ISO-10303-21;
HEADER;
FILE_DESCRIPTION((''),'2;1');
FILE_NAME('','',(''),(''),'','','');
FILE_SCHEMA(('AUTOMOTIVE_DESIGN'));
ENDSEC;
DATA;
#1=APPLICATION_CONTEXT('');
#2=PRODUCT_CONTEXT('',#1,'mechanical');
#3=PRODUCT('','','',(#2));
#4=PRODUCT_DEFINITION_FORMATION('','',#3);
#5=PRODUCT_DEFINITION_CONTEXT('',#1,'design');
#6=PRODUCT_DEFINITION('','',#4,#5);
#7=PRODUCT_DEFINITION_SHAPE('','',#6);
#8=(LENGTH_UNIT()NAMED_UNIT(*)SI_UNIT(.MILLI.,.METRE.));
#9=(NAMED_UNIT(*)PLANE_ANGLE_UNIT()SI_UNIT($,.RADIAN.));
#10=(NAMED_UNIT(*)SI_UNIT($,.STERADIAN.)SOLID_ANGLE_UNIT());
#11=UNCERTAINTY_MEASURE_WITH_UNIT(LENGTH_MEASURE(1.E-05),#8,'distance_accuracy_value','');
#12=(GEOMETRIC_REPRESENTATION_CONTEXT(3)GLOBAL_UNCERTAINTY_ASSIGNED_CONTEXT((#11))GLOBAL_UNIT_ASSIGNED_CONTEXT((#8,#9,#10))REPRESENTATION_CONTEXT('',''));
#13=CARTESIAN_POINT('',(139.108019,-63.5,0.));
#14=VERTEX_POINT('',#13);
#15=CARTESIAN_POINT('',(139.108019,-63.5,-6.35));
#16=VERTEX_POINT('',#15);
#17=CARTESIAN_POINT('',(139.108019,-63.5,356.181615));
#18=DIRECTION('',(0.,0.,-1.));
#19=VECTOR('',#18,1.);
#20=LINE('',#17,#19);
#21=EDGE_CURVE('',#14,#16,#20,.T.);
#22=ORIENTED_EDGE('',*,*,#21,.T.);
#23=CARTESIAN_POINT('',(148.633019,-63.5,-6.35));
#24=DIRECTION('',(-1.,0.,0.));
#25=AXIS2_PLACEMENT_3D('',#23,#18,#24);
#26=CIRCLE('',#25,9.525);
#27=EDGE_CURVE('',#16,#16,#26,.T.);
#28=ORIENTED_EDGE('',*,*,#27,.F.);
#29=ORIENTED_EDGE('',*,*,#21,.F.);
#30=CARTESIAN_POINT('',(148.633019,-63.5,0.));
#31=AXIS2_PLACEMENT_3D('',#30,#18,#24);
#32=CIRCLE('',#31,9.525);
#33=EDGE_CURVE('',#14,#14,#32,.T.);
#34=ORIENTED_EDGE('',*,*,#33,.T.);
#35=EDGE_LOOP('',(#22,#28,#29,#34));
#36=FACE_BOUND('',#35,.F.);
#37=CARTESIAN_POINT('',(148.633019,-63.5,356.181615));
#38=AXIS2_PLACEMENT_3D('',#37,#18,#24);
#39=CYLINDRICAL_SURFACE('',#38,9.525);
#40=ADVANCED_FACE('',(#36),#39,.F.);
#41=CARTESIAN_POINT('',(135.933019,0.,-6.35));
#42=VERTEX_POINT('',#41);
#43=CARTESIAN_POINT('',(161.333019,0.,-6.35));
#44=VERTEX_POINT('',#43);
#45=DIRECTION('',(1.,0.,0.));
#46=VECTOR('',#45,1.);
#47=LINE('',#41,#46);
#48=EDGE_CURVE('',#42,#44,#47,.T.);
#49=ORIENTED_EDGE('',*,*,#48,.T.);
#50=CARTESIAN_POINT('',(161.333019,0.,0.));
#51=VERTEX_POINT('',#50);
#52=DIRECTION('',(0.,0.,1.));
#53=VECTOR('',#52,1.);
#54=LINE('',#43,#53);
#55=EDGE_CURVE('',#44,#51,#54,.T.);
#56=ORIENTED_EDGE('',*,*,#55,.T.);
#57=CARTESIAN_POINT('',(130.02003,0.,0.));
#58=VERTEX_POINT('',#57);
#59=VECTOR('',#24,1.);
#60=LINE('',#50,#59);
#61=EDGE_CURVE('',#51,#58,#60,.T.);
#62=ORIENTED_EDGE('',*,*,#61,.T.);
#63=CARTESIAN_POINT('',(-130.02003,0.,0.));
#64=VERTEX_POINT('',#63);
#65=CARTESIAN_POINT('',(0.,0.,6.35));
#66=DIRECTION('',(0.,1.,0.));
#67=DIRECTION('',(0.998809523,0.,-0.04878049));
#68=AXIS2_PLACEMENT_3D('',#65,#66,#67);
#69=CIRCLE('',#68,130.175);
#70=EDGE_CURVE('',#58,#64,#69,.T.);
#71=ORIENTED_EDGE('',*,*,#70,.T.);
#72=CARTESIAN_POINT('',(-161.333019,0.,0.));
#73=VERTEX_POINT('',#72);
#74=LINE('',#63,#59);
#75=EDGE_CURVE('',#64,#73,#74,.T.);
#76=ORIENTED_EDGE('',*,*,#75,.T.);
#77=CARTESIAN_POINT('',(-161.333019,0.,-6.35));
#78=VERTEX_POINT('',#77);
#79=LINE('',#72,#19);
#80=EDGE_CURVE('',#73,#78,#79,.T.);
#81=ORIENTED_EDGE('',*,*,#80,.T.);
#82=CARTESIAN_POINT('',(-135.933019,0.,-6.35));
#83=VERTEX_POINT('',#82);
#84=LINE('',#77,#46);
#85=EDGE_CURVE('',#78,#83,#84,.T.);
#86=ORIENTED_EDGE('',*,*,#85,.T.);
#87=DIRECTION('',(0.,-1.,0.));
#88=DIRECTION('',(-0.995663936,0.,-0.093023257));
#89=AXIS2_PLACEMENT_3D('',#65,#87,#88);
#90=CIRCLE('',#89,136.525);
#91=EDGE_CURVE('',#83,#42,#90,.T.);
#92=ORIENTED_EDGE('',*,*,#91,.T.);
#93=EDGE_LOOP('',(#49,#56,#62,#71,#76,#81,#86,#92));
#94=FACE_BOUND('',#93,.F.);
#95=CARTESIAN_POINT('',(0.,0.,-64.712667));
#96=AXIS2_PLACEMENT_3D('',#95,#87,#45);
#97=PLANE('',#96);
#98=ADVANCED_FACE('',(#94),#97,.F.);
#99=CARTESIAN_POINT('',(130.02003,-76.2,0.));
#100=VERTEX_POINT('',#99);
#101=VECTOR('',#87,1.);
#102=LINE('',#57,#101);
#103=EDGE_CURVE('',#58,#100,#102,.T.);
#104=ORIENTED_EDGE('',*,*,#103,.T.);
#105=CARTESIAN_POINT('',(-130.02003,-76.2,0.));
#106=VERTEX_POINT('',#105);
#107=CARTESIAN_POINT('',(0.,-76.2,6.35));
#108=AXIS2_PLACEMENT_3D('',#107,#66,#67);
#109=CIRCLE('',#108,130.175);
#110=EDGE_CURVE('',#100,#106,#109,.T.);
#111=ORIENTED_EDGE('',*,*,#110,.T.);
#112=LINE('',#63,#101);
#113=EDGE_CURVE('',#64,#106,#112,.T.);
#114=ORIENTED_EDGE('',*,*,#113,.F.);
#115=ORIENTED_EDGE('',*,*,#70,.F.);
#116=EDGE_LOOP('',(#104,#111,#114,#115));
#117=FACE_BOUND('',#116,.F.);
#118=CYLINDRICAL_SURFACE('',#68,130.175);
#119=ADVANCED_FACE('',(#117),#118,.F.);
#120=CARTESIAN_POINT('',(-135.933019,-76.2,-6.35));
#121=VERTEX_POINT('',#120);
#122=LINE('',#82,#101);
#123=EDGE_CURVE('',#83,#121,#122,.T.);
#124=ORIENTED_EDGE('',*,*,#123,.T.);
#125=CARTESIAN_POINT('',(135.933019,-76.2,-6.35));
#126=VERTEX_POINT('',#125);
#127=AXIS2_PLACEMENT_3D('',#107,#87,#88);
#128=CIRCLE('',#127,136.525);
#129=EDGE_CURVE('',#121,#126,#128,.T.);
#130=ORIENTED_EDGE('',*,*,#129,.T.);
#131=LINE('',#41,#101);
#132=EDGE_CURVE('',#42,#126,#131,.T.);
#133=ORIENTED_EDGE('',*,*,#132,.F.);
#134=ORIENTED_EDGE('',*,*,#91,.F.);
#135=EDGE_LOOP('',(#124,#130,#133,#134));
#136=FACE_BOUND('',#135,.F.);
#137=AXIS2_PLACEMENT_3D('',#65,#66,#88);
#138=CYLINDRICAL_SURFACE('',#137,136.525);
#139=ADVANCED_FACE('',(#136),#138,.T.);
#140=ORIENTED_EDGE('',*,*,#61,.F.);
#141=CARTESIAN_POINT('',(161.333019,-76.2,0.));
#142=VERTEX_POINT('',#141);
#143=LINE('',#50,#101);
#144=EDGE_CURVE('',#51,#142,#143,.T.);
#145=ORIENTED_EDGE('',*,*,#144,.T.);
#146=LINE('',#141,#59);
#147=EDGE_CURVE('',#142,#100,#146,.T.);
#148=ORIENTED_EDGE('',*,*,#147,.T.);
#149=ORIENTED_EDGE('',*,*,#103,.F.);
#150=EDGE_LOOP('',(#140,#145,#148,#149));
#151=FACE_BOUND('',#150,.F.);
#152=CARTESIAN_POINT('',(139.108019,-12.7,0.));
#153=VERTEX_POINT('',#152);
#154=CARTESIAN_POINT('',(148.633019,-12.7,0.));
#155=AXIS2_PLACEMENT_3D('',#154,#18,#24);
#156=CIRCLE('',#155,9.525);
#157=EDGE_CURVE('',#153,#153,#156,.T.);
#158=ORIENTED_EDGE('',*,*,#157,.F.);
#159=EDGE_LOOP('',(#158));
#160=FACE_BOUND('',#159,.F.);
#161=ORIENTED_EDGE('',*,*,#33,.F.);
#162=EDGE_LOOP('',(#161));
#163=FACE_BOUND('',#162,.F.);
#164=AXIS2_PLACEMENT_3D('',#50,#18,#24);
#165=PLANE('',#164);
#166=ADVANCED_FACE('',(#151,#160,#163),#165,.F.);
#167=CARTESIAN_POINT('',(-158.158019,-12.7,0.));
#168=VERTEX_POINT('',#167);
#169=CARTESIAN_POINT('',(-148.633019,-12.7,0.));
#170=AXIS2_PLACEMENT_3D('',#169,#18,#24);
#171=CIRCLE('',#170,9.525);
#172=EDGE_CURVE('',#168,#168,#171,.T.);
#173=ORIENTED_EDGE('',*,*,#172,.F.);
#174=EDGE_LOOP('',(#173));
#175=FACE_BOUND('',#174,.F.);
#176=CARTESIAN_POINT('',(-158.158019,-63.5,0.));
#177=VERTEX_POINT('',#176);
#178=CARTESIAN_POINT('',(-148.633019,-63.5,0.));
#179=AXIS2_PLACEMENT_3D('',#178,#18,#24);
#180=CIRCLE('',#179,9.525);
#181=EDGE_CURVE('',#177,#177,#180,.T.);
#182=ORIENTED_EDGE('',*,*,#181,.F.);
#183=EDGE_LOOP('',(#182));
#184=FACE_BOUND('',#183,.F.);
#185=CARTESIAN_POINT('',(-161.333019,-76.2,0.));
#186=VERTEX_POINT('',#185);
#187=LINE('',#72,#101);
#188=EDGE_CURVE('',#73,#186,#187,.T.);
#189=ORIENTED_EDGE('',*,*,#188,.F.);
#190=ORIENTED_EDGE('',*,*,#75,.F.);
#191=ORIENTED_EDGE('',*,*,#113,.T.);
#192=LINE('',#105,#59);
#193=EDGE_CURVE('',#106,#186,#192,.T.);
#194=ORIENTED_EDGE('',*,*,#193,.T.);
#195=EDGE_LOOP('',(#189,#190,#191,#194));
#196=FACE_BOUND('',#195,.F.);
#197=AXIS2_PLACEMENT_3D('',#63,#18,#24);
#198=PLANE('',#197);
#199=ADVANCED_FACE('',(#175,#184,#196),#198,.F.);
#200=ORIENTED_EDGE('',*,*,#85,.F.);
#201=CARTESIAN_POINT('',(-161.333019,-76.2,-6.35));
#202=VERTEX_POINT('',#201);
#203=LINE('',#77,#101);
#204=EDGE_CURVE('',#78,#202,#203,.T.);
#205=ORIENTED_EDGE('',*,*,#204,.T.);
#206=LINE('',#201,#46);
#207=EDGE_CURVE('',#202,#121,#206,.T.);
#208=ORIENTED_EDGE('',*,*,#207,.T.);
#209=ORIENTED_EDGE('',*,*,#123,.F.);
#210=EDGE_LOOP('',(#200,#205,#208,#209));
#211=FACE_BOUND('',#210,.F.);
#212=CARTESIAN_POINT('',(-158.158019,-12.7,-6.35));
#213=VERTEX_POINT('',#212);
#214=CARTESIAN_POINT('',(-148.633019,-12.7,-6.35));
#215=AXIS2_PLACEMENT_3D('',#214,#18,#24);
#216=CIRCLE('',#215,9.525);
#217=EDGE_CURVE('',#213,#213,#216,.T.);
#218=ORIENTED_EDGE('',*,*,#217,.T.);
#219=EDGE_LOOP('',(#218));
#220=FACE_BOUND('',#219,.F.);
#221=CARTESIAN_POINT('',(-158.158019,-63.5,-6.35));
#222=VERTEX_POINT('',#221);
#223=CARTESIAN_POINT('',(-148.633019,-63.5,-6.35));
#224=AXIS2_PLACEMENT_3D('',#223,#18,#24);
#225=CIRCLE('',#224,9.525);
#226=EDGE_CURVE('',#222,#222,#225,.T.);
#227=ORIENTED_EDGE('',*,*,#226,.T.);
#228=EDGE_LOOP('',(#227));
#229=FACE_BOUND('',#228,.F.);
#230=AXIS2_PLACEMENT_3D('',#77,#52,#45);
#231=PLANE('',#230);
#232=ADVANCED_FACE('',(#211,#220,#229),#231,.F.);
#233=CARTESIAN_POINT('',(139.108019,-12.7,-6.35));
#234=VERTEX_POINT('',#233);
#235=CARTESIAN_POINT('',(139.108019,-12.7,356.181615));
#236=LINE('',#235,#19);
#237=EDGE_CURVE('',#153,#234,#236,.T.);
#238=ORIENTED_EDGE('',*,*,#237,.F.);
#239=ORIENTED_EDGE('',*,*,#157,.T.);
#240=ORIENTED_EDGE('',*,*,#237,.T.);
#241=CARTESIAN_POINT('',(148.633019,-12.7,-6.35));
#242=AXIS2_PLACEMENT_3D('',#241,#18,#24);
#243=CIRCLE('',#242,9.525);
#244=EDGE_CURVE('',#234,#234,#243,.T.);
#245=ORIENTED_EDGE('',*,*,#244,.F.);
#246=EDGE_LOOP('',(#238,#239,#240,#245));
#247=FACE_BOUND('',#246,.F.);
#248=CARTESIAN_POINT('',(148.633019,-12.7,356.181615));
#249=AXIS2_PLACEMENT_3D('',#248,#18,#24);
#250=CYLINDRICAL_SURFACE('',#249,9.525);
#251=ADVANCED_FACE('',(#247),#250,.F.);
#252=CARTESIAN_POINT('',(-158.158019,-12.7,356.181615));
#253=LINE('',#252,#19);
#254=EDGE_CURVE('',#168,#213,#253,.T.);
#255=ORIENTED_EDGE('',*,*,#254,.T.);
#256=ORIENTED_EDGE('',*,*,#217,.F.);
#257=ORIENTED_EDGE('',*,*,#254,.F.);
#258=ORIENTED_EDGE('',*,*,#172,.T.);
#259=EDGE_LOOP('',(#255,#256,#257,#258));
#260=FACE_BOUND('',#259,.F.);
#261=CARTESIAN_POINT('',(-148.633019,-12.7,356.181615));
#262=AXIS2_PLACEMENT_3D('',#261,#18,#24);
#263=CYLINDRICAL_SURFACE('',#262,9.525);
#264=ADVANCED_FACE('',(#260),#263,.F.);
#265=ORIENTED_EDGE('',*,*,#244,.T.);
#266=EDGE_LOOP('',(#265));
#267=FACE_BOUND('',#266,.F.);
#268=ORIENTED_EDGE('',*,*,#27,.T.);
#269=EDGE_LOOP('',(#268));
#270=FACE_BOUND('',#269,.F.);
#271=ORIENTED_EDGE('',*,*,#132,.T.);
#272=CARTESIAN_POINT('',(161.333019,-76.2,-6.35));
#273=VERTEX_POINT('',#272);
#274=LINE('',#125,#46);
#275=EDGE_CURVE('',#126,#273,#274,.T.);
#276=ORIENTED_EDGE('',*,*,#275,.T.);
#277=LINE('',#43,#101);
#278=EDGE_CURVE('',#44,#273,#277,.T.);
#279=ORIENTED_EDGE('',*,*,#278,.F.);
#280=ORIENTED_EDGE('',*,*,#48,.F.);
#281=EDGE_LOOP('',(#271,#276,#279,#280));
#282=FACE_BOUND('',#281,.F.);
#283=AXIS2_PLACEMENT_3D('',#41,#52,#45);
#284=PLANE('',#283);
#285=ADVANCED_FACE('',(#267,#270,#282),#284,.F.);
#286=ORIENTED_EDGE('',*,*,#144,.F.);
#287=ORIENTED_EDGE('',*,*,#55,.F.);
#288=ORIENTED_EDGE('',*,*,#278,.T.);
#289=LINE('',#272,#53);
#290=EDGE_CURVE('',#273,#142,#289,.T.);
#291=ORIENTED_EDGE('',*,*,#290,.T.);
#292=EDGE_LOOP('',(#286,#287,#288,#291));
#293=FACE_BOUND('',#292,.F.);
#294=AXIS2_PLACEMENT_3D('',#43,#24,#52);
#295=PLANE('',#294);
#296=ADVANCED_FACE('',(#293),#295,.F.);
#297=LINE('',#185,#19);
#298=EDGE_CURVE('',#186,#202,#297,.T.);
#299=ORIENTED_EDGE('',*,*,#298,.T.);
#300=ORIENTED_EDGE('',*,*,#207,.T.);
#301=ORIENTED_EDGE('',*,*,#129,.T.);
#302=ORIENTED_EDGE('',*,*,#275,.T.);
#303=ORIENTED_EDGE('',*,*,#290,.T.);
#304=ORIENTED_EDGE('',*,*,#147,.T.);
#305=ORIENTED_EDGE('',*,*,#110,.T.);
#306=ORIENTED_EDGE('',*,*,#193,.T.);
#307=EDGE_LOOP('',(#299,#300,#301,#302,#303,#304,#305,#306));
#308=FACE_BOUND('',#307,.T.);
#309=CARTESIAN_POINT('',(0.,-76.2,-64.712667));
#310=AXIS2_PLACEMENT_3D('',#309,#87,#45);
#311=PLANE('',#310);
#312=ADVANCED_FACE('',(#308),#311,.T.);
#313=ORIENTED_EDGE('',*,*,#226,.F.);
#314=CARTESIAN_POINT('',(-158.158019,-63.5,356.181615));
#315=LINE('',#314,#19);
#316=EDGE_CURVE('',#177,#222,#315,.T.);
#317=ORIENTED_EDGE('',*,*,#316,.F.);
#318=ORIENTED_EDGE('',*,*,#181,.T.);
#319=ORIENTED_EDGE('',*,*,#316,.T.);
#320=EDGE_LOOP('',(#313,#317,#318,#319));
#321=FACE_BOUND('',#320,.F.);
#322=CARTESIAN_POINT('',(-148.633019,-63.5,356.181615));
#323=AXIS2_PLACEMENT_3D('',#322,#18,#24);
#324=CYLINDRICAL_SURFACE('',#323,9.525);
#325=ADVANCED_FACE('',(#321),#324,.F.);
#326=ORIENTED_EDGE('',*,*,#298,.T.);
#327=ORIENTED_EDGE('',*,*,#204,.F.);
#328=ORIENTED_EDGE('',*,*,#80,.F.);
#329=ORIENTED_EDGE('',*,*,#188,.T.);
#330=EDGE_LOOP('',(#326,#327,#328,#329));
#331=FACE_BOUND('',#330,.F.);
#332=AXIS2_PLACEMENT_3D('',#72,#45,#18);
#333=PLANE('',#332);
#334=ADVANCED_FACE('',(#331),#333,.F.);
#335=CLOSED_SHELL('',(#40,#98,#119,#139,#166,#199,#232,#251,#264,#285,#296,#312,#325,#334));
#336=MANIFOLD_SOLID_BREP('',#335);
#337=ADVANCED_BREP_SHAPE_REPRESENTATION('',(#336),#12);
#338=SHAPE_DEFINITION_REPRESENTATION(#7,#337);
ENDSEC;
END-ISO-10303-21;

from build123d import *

# Parameters (mm, degrees)
F1_DEPTH = 76.2
F3_D     = 19.05


with BuildPart() as f1:
    # F0 (on Front) → F1 (new body)
    with BuildSketch(Plane.XZ):
        with BuildLine():
            Line((-161.333019, -6.35), (-135.933019, -6.35))
            ThreePointArc((-135.933019, -6.35), (0, -130.175), (135.933019, -6.35))
            Line((135.933019, -6.35), (161.333019, -6.35))
            Line((161.333019, -6.35), (161.333019, 0))
            Line((161.333019, 0), (130.02003, 0))
            ThreePointArc((130.02003, 0), (0, -123.825), (-130.02003, 0))
            Line((-130.02003, 0), (-161.333019, 0))
            Line((-161.333019, 0), (-161.333019, -6.35))
        make_face()
    extrude(amount=F1_DEPTH)

    # F3 (through all)
    with Locations(Plane.XY):
        with Locations((-148.633019, -63.5), (-148.633019, -12.7), (148.633019, -63.5), (148.633019, -12.7)):
            Hole(F3_D / 2)


solid = f1.part
